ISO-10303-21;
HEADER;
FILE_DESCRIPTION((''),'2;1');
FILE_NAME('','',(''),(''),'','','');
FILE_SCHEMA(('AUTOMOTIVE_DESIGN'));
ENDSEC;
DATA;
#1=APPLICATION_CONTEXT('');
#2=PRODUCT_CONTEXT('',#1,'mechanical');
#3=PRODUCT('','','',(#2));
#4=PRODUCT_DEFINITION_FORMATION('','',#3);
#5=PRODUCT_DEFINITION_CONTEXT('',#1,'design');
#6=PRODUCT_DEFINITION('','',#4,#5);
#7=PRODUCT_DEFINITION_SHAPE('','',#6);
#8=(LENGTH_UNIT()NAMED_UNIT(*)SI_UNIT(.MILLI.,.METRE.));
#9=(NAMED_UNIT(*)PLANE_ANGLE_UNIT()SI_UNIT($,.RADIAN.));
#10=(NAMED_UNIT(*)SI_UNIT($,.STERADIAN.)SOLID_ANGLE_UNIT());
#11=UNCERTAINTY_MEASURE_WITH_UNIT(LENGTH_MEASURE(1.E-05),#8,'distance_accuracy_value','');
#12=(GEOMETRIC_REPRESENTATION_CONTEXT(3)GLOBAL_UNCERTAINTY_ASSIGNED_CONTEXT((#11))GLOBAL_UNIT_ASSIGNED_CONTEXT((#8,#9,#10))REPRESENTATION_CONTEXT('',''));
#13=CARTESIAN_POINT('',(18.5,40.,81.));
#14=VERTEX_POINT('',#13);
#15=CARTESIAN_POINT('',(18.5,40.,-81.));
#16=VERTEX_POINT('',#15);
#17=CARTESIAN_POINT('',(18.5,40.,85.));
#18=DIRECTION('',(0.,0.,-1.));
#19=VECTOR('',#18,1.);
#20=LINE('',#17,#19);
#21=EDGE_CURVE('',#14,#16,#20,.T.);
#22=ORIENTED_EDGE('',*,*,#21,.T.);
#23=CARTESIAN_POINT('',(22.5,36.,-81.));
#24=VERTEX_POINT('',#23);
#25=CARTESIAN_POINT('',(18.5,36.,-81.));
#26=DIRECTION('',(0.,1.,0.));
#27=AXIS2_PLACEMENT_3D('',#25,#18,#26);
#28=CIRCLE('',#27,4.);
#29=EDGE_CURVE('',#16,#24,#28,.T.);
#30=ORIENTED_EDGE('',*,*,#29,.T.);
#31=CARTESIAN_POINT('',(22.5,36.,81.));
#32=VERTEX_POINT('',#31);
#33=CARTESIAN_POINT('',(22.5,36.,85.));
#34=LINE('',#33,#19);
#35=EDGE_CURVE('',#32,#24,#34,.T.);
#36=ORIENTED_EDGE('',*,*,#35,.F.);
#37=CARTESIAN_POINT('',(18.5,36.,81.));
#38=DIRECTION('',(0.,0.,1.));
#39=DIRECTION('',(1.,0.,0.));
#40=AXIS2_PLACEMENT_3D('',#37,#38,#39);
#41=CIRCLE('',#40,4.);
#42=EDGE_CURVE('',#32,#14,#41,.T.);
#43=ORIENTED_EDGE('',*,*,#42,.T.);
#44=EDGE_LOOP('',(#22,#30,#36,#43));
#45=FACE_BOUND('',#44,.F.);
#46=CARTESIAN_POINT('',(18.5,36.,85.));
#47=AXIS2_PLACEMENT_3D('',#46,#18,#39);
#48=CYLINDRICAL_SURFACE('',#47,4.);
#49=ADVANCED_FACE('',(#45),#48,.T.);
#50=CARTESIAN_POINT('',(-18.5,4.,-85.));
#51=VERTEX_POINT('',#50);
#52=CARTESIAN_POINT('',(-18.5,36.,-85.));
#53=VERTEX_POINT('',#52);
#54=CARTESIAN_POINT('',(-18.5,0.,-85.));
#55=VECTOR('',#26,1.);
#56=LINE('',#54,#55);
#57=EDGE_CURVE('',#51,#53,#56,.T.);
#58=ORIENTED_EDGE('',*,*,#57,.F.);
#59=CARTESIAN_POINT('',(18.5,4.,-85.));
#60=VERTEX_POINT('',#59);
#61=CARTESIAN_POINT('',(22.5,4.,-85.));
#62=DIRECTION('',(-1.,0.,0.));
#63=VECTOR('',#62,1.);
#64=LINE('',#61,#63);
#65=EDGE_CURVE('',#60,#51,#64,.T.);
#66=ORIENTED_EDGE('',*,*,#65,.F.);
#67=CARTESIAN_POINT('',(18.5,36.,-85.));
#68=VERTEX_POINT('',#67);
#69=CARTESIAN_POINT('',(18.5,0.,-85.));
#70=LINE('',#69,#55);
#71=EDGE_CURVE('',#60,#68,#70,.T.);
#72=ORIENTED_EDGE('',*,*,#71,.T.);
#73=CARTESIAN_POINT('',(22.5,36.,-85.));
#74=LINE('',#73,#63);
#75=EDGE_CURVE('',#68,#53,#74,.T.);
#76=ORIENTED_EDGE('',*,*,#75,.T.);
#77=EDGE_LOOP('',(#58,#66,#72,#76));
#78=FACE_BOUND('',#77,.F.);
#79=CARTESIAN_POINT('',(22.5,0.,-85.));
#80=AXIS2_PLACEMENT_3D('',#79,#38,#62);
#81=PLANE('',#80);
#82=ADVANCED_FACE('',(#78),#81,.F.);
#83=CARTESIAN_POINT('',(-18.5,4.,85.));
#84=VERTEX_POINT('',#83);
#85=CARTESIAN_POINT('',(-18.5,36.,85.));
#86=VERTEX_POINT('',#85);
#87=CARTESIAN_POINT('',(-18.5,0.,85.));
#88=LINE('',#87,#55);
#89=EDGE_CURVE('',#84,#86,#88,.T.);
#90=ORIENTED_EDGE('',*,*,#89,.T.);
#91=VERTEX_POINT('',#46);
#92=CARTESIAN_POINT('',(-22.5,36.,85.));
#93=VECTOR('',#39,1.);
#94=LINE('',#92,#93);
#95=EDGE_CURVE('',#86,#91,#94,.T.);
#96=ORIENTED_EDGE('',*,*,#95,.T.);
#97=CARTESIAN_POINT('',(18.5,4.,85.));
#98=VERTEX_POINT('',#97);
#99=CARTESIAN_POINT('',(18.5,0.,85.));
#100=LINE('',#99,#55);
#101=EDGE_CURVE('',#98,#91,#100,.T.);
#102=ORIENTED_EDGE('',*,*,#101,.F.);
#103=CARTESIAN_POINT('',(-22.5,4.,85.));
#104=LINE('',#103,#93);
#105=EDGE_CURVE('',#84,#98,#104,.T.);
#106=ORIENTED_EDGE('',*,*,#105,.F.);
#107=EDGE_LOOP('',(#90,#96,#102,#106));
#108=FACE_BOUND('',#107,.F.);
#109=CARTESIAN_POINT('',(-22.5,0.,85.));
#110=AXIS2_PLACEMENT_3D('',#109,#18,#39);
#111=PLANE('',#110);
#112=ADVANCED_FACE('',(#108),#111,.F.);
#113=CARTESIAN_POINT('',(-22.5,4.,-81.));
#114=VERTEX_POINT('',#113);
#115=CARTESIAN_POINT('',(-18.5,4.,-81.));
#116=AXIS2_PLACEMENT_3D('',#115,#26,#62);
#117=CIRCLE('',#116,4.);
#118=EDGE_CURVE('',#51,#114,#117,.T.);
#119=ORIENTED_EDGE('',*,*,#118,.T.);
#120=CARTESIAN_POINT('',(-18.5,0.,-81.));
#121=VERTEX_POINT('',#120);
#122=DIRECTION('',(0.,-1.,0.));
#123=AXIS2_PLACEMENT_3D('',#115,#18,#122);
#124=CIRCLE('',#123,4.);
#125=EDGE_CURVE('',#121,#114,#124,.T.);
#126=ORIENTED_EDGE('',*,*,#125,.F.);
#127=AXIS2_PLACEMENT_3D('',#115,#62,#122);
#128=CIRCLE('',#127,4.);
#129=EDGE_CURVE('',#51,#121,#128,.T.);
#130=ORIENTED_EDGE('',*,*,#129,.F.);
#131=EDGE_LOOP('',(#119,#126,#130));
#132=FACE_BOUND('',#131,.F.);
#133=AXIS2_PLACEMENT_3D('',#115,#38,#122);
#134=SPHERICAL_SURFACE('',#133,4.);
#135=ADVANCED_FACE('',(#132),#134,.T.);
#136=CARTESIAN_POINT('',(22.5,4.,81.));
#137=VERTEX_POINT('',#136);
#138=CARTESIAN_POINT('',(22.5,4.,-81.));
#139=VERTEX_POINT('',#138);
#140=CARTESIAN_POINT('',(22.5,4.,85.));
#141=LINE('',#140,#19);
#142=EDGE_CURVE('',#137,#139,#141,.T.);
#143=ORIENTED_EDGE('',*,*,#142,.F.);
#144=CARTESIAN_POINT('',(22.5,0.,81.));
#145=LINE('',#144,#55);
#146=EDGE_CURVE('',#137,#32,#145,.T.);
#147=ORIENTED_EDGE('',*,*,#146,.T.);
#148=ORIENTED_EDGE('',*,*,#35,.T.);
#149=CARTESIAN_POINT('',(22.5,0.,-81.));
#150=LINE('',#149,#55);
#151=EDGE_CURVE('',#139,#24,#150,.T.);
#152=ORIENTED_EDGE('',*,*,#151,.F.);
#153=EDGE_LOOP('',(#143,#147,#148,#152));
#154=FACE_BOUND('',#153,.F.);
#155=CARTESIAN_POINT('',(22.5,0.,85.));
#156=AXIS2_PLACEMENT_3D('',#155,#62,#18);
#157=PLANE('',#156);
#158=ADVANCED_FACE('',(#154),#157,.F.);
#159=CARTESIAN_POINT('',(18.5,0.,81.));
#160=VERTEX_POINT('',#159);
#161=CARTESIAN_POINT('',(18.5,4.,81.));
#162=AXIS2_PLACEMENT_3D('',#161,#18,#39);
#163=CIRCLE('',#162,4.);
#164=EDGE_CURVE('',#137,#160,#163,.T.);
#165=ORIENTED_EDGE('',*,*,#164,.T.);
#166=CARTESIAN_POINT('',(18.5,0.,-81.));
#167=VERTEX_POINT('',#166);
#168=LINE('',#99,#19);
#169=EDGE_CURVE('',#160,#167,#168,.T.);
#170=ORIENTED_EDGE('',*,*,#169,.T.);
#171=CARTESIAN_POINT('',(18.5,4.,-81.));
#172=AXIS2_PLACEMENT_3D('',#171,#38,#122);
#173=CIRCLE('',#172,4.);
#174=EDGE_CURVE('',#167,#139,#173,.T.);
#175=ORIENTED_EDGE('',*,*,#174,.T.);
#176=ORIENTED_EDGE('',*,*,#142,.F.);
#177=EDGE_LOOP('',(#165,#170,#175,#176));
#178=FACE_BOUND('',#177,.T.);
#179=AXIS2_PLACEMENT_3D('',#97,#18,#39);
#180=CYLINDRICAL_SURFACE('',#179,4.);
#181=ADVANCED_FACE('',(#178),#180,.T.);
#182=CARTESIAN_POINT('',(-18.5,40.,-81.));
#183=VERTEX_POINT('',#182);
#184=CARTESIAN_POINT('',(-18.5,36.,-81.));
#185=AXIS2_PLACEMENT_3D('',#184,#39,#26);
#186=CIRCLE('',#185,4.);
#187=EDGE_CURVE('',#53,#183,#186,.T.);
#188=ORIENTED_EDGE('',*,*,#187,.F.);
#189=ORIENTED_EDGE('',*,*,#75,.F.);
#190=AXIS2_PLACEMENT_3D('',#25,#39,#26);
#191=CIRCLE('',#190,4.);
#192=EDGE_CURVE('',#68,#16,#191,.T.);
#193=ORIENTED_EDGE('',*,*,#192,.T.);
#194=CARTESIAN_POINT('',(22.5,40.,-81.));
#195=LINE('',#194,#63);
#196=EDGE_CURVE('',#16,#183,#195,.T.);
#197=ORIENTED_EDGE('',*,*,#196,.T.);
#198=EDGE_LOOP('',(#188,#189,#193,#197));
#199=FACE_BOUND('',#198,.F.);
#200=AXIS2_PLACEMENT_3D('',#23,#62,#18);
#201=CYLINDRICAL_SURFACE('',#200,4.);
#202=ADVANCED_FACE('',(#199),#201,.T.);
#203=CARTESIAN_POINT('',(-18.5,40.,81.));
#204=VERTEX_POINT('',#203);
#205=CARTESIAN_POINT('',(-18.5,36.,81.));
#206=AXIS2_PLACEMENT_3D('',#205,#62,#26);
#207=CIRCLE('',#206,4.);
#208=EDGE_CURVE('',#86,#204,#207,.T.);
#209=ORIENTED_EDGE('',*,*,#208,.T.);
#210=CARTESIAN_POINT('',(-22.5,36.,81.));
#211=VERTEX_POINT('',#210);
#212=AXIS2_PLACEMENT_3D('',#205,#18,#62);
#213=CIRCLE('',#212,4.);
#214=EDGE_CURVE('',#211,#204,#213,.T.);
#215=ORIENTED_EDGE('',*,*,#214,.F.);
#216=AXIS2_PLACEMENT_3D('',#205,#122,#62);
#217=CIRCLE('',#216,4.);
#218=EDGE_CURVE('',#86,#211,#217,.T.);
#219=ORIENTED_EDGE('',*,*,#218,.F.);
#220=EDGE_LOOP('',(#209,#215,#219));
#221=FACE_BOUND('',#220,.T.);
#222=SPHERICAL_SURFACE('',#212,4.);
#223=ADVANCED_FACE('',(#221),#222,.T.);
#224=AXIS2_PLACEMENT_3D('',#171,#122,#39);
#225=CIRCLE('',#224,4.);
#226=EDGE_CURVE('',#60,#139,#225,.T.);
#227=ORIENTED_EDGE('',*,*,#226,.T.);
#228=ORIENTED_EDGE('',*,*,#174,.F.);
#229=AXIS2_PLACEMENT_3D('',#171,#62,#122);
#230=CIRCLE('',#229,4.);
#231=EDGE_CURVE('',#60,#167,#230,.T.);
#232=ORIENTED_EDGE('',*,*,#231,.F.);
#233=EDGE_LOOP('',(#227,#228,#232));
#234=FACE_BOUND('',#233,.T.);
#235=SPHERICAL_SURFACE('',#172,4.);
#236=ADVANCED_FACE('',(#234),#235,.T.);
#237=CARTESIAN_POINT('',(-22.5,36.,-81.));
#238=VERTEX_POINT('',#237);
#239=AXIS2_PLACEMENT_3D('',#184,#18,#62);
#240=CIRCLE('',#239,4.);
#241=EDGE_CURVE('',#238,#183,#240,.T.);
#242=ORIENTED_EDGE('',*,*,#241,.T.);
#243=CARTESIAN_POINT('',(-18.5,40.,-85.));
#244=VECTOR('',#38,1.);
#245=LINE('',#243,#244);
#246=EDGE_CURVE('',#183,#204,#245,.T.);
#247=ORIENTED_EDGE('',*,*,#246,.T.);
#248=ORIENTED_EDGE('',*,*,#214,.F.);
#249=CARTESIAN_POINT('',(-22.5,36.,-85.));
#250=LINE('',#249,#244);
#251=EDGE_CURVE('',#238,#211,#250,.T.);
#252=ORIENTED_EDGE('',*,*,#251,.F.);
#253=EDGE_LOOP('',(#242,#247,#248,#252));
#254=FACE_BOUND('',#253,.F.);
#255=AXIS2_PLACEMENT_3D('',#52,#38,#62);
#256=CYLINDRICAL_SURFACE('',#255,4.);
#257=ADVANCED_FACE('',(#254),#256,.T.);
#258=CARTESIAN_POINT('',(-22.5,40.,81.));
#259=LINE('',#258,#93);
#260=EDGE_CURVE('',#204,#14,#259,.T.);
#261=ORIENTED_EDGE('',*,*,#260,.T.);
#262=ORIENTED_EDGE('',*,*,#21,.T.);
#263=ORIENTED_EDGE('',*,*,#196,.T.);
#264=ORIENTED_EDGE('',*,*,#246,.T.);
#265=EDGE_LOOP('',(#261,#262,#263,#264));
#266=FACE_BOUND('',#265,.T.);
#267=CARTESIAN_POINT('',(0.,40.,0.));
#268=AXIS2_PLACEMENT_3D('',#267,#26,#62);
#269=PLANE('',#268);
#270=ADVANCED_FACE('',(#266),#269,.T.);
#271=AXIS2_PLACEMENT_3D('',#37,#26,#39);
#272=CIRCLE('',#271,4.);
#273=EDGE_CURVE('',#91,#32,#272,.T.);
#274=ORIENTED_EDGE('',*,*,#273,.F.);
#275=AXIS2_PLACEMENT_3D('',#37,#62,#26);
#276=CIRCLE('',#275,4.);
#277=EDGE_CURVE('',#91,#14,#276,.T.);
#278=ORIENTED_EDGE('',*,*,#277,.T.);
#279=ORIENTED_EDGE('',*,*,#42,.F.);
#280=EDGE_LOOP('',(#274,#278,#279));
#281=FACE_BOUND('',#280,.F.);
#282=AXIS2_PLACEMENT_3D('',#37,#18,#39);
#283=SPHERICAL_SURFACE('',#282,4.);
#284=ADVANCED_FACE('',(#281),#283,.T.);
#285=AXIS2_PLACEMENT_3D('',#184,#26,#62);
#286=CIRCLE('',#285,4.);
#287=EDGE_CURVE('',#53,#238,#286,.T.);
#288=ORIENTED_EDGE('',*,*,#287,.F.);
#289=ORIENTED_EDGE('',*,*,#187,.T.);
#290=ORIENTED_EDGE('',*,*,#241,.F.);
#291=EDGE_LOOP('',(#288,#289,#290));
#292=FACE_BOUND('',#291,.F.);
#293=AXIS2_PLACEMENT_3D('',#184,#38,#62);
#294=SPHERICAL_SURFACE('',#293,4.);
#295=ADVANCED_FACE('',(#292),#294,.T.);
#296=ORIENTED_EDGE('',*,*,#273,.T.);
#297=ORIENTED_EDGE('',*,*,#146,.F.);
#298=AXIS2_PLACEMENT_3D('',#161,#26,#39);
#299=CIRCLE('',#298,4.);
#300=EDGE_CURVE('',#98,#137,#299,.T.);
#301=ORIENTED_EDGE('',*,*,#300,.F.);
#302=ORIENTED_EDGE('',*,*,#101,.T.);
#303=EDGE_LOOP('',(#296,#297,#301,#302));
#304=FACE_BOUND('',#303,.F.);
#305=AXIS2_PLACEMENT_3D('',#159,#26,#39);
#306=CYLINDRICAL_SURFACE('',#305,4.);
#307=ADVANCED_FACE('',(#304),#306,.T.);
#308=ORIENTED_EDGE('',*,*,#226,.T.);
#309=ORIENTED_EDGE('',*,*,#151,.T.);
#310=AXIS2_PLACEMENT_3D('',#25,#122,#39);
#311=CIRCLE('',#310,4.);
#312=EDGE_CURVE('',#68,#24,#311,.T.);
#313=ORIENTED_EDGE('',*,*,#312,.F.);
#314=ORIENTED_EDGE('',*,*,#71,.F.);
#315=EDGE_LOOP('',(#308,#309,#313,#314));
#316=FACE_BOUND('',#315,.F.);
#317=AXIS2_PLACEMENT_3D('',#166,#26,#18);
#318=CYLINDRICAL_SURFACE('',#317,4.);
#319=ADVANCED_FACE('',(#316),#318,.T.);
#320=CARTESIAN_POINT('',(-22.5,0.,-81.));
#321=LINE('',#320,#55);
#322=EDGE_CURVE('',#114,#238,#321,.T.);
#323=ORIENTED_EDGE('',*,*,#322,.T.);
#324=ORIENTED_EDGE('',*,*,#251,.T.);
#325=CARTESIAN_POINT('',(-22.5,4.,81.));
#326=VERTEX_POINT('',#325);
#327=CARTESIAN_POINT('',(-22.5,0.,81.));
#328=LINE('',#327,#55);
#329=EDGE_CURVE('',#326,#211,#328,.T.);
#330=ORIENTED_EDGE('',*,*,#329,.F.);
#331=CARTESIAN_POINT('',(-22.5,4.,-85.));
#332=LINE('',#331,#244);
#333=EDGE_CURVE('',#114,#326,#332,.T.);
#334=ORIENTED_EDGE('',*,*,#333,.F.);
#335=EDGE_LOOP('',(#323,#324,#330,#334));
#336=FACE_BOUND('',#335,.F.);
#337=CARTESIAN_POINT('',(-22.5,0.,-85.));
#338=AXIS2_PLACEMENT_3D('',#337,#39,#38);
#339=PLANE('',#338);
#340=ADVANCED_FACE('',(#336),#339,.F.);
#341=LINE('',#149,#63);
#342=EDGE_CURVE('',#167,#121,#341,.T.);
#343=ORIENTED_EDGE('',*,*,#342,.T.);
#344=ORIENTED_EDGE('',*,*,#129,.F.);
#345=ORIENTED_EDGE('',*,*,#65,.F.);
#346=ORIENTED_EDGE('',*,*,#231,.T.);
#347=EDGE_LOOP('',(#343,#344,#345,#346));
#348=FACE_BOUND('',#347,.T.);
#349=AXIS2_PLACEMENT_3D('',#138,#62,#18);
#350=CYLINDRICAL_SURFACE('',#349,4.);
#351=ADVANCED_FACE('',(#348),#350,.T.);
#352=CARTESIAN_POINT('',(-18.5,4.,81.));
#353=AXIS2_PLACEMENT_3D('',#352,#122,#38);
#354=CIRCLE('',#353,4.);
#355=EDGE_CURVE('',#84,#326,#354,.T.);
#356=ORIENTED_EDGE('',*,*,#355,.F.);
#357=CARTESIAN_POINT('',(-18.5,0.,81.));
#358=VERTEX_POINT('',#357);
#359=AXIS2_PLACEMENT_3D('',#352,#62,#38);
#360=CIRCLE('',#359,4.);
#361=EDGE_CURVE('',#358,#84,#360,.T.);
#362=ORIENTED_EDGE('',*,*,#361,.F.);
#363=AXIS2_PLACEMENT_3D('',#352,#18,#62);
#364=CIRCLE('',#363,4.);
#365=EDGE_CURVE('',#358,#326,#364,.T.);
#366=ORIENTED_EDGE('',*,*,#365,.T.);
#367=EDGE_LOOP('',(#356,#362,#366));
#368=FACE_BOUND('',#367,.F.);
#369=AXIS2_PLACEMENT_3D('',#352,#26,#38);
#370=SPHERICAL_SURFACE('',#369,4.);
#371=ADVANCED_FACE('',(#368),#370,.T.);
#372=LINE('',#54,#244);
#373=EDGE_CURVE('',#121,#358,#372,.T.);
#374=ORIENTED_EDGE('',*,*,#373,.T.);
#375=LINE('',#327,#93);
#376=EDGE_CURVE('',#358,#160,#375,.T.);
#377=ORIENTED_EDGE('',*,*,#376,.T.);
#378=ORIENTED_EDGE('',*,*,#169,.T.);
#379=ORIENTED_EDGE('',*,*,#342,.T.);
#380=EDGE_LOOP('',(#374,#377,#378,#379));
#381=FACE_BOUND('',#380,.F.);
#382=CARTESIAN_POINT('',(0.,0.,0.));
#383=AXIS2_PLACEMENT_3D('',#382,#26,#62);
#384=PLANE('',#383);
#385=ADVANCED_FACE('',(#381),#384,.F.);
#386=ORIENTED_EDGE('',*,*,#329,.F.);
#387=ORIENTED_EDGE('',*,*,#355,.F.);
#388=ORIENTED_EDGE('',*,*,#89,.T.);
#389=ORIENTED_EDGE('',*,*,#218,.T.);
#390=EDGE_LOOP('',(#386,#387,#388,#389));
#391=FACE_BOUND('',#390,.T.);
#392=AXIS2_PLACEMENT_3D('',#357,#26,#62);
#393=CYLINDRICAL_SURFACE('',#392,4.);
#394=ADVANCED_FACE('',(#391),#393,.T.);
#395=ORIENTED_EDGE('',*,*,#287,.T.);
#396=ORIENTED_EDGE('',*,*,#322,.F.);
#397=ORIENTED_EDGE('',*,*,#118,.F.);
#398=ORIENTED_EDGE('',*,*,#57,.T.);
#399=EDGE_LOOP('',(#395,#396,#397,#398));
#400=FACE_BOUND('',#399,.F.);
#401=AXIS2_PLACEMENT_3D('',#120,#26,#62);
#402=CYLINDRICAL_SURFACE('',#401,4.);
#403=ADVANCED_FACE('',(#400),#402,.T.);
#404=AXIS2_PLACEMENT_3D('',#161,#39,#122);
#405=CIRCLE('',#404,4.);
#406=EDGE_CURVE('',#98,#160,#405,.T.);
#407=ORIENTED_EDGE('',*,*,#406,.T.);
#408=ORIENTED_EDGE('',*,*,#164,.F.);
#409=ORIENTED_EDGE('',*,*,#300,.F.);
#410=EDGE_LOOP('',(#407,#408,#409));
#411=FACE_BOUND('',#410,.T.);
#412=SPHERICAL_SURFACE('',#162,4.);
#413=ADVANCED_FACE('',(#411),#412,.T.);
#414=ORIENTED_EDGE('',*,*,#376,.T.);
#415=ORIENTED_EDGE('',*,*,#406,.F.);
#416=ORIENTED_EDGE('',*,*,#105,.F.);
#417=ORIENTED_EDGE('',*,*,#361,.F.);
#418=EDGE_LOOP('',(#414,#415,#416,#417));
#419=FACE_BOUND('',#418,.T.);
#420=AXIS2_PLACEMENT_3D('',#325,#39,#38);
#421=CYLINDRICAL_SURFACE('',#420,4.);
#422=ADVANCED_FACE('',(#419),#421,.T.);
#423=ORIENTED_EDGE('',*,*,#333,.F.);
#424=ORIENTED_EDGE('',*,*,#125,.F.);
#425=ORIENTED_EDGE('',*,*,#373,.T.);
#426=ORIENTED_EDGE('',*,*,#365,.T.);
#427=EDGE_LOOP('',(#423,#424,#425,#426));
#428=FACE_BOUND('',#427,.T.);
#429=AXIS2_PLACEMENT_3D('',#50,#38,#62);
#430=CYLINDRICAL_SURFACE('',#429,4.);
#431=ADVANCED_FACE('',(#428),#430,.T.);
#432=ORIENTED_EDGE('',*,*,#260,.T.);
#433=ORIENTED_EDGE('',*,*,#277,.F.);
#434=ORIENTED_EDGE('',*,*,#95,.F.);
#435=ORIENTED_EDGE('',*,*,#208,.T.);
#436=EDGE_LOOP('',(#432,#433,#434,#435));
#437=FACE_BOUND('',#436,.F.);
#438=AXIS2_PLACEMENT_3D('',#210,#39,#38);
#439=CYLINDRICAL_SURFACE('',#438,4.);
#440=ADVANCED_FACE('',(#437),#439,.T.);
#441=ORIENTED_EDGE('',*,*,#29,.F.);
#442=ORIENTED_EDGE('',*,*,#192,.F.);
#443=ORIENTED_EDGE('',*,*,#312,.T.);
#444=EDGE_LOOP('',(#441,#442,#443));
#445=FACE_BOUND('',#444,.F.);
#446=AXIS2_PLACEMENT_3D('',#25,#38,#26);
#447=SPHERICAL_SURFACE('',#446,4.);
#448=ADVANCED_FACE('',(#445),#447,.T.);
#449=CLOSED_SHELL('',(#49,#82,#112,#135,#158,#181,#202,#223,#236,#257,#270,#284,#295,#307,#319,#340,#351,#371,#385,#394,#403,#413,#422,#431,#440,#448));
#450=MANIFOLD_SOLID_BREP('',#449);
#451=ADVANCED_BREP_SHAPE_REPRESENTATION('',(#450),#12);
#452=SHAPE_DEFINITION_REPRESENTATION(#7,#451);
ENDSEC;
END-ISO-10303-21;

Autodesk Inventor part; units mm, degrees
ref_plane "YZ Plane" through (0, 0, 0) normal (1, 0, 0) x (0, 1, 0)
ref_plane "XZ Plane" through (0, 0, 0) normal (0, 1, 0) x (-1, 0, 0)
ref_plane "XY Plane" through (0, 0, 0) normal (0, 0, 1) x (1, 0, 0)
sketch "Sketch1" plane through (0, 0, 0) normal (0, 1, 0) x (-1, 0, 0)
  line L0 (22.5, 85) -> (-22.5, 85)
  line L1 (-22.5, 85) -> (-22.5, -85)
  line L2 (-22.5, -85) -> (22.5, -85)
  line L3 (22.5, -85) -> (22.5, 85)
  line L4 (22.5, 85) -> (-22.5, -85) construction
  line L5 (-22.5, 85) -> (22.5, -85) construction
  point P0 (0, 0)
  dimension "d0" = 45
  dimension "d1" = 170
extrude "Extrusion1" add sketch "Sketch1" along normal blind 40
fillet "Fillet1" radius 4 12 edges at (22.5, 40, 0) (-22.5, 40, 0) (22.5, 0, 0) (22.5, 20, 85) (-22.5, 20, 85) (0, 0, 85) (0, 40, 85) (-22.5, 0, 0) (0, 0, -85) (-22.5, 20, -85) (0, 40, -85) (22.5, 20, -85)
properties part number "LIPO" material "Acetal Resin, Black"
